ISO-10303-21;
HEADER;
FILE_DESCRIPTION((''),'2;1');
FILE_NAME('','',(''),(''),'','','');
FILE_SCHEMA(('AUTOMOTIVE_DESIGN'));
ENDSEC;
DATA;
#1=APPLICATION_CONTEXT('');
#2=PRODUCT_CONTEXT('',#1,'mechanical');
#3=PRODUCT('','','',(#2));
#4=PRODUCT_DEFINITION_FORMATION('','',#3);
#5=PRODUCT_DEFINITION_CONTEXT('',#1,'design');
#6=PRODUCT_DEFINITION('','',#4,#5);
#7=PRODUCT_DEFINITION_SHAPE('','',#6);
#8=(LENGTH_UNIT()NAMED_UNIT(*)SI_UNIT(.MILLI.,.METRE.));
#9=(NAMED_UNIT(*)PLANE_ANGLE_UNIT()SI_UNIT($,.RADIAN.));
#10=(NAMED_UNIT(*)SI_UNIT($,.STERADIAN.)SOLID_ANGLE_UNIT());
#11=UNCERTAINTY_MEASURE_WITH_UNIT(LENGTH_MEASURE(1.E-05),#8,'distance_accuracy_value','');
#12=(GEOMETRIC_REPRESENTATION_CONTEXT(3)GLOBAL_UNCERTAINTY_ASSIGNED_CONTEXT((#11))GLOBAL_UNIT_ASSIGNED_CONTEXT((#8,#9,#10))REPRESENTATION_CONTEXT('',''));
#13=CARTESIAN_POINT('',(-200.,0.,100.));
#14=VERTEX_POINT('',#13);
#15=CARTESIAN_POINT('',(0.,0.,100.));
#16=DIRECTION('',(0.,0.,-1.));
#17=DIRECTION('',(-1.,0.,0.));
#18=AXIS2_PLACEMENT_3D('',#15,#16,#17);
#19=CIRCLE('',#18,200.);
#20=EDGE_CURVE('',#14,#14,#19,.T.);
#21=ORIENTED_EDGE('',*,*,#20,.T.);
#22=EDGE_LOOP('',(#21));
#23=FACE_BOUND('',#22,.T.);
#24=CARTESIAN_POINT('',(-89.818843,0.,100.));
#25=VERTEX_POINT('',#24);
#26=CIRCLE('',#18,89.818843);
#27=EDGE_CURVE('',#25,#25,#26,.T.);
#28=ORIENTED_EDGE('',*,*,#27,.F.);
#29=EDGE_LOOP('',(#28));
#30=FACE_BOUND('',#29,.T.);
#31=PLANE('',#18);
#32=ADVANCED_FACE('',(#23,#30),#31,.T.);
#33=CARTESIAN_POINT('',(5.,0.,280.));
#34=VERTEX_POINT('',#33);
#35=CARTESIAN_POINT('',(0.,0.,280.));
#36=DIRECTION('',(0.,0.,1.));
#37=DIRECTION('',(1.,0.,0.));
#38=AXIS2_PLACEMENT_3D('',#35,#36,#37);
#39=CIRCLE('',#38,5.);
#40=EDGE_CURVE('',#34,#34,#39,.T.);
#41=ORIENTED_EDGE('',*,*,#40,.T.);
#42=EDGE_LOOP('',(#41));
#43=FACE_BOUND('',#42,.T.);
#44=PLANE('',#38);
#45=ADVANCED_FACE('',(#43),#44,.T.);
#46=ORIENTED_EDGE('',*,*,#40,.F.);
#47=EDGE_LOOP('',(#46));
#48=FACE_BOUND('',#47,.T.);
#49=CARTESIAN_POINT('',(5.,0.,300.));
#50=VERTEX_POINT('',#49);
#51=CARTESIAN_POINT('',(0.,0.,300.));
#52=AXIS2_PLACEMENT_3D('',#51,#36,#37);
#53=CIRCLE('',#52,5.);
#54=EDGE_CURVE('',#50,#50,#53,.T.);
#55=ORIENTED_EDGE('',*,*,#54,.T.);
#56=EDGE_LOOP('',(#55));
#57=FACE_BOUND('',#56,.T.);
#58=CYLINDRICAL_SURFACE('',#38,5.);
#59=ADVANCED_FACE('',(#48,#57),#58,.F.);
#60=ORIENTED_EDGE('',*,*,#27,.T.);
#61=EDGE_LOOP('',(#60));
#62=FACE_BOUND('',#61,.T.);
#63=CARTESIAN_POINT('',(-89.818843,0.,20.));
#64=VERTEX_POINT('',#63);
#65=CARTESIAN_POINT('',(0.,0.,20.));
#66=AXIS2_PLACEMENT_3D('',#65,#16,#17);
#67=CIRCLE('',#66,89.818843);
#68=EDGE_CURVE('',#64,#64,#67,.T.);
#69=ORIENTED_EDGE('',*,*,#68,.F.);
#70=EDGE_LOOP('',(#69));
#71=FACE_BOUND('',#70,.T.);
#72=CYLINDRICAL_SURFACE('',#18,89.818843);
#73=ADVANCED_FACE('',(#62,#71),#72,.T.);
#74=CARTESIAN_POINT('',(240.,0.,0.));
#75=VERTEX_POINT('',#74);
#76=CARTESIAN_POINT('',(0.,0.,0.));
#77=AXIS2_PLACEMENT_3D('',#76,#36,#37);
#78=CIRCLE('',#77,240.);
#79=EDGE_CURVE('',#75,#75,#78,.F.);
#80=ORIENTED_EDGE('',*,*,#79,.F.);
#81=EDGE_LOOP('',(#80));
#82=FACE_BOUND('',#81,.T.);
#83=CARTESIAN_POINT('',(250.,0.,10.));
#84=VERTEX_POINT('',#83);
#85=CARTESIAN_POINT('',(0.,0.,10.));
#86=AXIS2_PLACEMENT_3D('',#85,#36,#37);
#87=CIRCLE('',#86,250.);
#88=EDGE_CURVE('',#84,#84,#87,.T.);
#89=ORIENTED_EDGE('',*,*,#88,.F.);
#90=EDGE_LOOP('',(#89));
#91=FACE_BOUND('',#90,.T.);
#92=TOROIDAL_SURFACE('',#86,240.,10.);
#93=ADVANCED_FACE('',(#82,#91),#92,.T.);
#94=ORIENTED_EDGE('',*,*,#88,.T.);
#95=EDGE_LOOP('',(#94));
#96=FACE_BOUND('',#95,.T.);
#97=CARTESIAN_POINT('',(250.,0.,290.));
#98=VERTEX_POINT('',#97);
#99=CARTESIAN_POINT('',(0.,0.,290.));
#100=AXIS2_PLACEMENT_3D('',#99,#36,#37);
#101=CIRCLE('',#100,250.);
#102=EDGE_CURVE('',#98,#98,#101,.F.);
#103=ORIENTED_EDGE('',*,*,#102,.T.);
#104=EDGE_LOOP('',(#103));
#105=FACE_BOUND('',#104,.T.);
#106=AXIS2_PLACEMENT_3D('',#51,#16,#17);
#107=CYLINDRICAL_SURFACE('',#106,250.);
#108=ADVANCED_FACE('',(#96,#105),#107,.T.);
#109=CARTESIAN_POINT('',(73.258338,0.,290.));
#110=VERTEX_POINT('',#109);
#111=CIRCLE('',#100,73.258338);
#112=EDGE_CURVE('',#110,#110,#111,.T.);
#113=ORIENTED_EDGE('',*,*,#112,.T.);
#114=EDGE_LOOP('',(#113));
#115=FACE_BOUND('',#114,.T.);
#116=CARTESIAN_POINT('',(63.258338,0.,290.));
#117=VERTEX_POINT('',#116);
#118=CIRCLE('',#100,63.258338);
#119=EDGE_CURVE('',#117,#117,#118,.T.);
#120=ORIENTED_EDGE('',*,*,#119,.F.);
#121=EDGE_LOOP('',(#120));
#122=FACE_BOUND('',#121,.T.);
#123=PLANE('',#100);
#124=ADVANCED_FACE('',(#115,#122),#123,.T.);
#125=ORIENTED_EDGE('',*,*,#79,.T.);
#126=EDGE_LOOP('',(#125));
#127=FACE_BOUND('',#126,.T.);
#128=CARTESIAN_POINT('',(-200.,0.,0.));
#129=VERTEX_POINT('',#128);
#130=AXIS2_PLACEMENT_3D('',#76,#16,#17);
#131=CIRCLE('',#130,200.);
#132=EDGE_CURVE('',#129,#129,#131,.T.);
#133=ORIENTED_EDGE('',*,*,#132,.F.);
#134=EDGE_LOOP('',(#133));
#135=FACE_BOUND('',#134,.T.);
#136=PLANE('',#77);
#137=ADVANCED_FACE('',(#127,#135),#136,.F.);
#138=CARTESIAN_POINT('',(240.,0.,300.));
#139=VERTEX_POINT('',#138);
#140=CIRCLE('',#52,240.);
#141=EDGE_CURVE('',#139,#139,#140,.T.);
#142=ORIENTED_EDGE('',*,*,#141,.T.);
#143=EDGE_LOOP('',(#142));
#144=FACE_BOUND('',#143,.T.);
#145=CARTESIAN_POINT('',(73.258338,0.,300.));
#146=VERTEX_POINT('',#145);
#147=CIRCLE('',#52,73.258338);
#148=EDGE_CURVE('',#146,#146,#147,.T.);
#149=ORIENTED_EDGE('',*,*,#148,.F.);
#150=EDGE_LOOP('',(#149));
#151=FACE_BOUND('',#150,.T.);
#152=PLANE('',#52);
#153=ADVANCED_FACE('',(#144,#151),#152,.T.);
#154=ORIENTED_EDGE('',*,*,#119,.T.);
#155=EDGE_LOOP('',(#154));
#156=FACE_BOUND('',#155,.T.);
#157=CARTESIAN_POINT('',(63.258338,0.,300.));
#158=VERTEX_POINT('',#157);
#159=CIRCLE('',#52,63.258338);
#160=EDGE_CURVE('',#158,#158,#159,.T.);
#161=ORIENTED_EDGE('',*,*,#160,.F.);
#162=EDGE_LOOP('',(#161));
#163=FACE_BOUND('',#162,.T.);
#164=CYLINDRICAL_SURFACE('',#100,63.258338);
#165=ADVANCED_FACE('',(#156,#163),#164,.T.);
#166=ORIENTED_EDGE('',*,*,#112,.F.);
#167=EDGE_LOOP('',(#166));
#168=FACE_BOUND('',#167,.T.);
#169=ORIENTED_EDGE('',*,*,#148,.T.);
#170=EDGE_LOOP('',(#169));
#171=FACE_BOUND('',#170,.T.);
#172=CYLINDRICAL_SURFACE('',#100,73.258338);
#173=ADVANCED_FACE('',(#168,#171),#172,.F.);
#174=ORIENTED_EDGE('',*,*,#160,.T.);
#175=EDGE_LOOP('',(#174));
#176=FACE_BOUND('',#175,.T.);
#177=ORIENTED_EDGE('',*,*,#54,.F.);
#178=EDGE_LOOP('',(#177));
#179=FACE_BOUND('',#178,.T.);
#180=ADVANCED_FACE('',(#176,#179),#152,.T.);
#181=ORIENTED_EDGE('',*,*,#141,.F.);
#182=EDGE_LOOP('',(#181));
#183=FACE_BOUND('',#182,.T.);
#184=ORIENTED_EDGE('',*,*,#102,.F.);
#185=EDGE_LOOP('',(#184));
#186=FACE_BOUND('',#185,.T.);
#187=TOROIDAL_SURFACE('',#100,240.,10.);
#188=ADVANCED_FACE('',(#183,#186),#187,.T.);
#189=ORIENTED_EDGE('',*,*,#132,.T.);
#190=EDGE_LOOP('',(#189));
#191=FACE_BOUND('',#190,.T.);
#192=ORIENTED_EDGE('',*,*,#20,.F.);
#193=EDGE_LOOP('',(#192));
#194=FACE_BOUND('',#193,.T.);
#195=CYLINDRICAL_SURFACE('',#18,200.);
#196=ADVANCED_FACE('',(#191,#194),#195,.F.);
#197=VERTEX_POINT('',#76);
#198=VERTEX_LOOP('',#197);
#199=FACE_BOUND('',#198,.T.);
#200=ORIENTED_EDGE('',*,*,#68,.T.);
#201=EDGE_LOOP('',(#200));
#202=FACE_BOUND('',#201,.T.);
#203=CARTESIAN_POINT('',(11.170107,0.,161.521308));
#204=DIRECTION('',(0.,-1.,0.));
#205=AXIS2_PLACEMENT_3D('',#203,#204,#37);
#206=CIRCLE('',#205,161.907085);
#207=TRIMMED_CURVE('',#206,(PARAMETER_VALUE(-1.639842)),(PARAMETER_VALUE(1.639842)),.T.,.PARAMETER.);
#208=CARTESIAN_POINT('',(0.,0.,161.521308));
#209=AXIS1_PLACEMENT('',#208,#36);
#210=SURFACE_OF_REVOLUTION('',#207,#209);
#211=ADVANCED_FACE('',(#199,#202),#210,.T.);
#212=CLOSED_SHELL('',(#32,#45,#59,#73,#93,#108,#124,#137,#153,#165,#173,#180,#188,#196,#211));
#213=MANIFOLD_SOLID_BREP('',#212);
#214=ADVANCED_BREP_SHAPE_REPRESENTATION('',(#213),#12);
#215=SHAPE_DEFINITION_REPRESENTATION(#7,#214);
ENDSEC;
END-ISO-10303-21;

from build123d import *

# Parameters (mm, degrees)
SKETCH1_R          = 250
EXTRUDE1_DEPTH     = 300
SKETCH2_R          = 5
CUT_EXTRUDE1_DEPTH = 20
SKETCH3_R          = 200
SKETCH3_R_2        = 89.818842926
CUT_EXTRUDE2_DEPTH = 100
SKETCH4_R          = 89.818842926
CUT_EXTRUDE3_DEPTH = 20
FILLET1_R          = 10
SKETCH6_R          = 73.258337553
SKETCH6_R_2        = 63.258337553
CUT_EXTRUDE4_DEPTH = 10


with BuildPart() as part:
    # Sketch1 → Extrude1 (new body)
    with BuildSketch(Plane.XY):
        Circle(SKETCH1_R)
    extrude(amount=EXTRUDE1_DEPTH)

    # Sketch2 → Cut-Extrude1 (cut)
    with BuildSketch(Plane.XY.offset(300)):
        Circle(SKETCH2_R)
    extrude(amount=-CUT_EXTRUDE1_DEPTH, mode=Mode.SUBTRACT)

    # Sketch3 → Cut-Extrude2 (cut)
    with BuildSketch(Plane(origin=(0, 0, 0), x_dir=(-1, 0, 0), z_dir=(0, 0, -1))):
        Circle(SKETCH3_R)
        Circle(SKETCH3_R_2, mode=Mode.SUBTRACT)
    extrude(amount=-CUT_EXTRUDE2_DEPTH, mode=Mode.SUBTRACT)

    # Sketch4 → Cut-Extrude3 (cut)
    with BuildSketch(Plane(origin=(0, 0, 0), x_dir=(-1, 0, 0), z_dir=(0, 0, -1))):
        Circle(SKETCH4_R)
    extrude(amount=-CUT_EXTRUDE3_DEPTH, mode=Mode.SUBTRACT)

    # Sketch5 → Revolve1 (revolve)
    with BuildSketch(Plane(origin=(0, 0, 0), x_dir=(1, 0, 0), z_dir=(0, 1, 0))):
        with BuildLine():
            Line((0, -20), (0, 0))
            ThreePointArc((0, 0), (-46.360181472, -3.484720731), (-89.818842926, -20))
            Line((-89.818842926, -20), (0, -20))
        make_face()
    revolve(axis=Axis((0, 0, 20), (0, 0, -1)))

    # Fillet1
    fillet1_edges = [part.edges().sort_by_distance(p)[0] for p in [
        (-250, 0, 0),
        (-250, 0, 300),
    ]]
    fillet(fillet1_edges, radius=FILLET1_R)

    # Sketch6 → Cut-Extrude4 (cut)
    with BuildSketch(Plane.XY.offset(300)):
        Circle(SKETCH6_R)
        Circle(SKETCH6_R_2, mode=Mode.SUBTRACT)
    extrude(amount=-CUT_EXTRUDE4_DEPTH, mode=Mode.SUBTRACT)


solid = part.part
